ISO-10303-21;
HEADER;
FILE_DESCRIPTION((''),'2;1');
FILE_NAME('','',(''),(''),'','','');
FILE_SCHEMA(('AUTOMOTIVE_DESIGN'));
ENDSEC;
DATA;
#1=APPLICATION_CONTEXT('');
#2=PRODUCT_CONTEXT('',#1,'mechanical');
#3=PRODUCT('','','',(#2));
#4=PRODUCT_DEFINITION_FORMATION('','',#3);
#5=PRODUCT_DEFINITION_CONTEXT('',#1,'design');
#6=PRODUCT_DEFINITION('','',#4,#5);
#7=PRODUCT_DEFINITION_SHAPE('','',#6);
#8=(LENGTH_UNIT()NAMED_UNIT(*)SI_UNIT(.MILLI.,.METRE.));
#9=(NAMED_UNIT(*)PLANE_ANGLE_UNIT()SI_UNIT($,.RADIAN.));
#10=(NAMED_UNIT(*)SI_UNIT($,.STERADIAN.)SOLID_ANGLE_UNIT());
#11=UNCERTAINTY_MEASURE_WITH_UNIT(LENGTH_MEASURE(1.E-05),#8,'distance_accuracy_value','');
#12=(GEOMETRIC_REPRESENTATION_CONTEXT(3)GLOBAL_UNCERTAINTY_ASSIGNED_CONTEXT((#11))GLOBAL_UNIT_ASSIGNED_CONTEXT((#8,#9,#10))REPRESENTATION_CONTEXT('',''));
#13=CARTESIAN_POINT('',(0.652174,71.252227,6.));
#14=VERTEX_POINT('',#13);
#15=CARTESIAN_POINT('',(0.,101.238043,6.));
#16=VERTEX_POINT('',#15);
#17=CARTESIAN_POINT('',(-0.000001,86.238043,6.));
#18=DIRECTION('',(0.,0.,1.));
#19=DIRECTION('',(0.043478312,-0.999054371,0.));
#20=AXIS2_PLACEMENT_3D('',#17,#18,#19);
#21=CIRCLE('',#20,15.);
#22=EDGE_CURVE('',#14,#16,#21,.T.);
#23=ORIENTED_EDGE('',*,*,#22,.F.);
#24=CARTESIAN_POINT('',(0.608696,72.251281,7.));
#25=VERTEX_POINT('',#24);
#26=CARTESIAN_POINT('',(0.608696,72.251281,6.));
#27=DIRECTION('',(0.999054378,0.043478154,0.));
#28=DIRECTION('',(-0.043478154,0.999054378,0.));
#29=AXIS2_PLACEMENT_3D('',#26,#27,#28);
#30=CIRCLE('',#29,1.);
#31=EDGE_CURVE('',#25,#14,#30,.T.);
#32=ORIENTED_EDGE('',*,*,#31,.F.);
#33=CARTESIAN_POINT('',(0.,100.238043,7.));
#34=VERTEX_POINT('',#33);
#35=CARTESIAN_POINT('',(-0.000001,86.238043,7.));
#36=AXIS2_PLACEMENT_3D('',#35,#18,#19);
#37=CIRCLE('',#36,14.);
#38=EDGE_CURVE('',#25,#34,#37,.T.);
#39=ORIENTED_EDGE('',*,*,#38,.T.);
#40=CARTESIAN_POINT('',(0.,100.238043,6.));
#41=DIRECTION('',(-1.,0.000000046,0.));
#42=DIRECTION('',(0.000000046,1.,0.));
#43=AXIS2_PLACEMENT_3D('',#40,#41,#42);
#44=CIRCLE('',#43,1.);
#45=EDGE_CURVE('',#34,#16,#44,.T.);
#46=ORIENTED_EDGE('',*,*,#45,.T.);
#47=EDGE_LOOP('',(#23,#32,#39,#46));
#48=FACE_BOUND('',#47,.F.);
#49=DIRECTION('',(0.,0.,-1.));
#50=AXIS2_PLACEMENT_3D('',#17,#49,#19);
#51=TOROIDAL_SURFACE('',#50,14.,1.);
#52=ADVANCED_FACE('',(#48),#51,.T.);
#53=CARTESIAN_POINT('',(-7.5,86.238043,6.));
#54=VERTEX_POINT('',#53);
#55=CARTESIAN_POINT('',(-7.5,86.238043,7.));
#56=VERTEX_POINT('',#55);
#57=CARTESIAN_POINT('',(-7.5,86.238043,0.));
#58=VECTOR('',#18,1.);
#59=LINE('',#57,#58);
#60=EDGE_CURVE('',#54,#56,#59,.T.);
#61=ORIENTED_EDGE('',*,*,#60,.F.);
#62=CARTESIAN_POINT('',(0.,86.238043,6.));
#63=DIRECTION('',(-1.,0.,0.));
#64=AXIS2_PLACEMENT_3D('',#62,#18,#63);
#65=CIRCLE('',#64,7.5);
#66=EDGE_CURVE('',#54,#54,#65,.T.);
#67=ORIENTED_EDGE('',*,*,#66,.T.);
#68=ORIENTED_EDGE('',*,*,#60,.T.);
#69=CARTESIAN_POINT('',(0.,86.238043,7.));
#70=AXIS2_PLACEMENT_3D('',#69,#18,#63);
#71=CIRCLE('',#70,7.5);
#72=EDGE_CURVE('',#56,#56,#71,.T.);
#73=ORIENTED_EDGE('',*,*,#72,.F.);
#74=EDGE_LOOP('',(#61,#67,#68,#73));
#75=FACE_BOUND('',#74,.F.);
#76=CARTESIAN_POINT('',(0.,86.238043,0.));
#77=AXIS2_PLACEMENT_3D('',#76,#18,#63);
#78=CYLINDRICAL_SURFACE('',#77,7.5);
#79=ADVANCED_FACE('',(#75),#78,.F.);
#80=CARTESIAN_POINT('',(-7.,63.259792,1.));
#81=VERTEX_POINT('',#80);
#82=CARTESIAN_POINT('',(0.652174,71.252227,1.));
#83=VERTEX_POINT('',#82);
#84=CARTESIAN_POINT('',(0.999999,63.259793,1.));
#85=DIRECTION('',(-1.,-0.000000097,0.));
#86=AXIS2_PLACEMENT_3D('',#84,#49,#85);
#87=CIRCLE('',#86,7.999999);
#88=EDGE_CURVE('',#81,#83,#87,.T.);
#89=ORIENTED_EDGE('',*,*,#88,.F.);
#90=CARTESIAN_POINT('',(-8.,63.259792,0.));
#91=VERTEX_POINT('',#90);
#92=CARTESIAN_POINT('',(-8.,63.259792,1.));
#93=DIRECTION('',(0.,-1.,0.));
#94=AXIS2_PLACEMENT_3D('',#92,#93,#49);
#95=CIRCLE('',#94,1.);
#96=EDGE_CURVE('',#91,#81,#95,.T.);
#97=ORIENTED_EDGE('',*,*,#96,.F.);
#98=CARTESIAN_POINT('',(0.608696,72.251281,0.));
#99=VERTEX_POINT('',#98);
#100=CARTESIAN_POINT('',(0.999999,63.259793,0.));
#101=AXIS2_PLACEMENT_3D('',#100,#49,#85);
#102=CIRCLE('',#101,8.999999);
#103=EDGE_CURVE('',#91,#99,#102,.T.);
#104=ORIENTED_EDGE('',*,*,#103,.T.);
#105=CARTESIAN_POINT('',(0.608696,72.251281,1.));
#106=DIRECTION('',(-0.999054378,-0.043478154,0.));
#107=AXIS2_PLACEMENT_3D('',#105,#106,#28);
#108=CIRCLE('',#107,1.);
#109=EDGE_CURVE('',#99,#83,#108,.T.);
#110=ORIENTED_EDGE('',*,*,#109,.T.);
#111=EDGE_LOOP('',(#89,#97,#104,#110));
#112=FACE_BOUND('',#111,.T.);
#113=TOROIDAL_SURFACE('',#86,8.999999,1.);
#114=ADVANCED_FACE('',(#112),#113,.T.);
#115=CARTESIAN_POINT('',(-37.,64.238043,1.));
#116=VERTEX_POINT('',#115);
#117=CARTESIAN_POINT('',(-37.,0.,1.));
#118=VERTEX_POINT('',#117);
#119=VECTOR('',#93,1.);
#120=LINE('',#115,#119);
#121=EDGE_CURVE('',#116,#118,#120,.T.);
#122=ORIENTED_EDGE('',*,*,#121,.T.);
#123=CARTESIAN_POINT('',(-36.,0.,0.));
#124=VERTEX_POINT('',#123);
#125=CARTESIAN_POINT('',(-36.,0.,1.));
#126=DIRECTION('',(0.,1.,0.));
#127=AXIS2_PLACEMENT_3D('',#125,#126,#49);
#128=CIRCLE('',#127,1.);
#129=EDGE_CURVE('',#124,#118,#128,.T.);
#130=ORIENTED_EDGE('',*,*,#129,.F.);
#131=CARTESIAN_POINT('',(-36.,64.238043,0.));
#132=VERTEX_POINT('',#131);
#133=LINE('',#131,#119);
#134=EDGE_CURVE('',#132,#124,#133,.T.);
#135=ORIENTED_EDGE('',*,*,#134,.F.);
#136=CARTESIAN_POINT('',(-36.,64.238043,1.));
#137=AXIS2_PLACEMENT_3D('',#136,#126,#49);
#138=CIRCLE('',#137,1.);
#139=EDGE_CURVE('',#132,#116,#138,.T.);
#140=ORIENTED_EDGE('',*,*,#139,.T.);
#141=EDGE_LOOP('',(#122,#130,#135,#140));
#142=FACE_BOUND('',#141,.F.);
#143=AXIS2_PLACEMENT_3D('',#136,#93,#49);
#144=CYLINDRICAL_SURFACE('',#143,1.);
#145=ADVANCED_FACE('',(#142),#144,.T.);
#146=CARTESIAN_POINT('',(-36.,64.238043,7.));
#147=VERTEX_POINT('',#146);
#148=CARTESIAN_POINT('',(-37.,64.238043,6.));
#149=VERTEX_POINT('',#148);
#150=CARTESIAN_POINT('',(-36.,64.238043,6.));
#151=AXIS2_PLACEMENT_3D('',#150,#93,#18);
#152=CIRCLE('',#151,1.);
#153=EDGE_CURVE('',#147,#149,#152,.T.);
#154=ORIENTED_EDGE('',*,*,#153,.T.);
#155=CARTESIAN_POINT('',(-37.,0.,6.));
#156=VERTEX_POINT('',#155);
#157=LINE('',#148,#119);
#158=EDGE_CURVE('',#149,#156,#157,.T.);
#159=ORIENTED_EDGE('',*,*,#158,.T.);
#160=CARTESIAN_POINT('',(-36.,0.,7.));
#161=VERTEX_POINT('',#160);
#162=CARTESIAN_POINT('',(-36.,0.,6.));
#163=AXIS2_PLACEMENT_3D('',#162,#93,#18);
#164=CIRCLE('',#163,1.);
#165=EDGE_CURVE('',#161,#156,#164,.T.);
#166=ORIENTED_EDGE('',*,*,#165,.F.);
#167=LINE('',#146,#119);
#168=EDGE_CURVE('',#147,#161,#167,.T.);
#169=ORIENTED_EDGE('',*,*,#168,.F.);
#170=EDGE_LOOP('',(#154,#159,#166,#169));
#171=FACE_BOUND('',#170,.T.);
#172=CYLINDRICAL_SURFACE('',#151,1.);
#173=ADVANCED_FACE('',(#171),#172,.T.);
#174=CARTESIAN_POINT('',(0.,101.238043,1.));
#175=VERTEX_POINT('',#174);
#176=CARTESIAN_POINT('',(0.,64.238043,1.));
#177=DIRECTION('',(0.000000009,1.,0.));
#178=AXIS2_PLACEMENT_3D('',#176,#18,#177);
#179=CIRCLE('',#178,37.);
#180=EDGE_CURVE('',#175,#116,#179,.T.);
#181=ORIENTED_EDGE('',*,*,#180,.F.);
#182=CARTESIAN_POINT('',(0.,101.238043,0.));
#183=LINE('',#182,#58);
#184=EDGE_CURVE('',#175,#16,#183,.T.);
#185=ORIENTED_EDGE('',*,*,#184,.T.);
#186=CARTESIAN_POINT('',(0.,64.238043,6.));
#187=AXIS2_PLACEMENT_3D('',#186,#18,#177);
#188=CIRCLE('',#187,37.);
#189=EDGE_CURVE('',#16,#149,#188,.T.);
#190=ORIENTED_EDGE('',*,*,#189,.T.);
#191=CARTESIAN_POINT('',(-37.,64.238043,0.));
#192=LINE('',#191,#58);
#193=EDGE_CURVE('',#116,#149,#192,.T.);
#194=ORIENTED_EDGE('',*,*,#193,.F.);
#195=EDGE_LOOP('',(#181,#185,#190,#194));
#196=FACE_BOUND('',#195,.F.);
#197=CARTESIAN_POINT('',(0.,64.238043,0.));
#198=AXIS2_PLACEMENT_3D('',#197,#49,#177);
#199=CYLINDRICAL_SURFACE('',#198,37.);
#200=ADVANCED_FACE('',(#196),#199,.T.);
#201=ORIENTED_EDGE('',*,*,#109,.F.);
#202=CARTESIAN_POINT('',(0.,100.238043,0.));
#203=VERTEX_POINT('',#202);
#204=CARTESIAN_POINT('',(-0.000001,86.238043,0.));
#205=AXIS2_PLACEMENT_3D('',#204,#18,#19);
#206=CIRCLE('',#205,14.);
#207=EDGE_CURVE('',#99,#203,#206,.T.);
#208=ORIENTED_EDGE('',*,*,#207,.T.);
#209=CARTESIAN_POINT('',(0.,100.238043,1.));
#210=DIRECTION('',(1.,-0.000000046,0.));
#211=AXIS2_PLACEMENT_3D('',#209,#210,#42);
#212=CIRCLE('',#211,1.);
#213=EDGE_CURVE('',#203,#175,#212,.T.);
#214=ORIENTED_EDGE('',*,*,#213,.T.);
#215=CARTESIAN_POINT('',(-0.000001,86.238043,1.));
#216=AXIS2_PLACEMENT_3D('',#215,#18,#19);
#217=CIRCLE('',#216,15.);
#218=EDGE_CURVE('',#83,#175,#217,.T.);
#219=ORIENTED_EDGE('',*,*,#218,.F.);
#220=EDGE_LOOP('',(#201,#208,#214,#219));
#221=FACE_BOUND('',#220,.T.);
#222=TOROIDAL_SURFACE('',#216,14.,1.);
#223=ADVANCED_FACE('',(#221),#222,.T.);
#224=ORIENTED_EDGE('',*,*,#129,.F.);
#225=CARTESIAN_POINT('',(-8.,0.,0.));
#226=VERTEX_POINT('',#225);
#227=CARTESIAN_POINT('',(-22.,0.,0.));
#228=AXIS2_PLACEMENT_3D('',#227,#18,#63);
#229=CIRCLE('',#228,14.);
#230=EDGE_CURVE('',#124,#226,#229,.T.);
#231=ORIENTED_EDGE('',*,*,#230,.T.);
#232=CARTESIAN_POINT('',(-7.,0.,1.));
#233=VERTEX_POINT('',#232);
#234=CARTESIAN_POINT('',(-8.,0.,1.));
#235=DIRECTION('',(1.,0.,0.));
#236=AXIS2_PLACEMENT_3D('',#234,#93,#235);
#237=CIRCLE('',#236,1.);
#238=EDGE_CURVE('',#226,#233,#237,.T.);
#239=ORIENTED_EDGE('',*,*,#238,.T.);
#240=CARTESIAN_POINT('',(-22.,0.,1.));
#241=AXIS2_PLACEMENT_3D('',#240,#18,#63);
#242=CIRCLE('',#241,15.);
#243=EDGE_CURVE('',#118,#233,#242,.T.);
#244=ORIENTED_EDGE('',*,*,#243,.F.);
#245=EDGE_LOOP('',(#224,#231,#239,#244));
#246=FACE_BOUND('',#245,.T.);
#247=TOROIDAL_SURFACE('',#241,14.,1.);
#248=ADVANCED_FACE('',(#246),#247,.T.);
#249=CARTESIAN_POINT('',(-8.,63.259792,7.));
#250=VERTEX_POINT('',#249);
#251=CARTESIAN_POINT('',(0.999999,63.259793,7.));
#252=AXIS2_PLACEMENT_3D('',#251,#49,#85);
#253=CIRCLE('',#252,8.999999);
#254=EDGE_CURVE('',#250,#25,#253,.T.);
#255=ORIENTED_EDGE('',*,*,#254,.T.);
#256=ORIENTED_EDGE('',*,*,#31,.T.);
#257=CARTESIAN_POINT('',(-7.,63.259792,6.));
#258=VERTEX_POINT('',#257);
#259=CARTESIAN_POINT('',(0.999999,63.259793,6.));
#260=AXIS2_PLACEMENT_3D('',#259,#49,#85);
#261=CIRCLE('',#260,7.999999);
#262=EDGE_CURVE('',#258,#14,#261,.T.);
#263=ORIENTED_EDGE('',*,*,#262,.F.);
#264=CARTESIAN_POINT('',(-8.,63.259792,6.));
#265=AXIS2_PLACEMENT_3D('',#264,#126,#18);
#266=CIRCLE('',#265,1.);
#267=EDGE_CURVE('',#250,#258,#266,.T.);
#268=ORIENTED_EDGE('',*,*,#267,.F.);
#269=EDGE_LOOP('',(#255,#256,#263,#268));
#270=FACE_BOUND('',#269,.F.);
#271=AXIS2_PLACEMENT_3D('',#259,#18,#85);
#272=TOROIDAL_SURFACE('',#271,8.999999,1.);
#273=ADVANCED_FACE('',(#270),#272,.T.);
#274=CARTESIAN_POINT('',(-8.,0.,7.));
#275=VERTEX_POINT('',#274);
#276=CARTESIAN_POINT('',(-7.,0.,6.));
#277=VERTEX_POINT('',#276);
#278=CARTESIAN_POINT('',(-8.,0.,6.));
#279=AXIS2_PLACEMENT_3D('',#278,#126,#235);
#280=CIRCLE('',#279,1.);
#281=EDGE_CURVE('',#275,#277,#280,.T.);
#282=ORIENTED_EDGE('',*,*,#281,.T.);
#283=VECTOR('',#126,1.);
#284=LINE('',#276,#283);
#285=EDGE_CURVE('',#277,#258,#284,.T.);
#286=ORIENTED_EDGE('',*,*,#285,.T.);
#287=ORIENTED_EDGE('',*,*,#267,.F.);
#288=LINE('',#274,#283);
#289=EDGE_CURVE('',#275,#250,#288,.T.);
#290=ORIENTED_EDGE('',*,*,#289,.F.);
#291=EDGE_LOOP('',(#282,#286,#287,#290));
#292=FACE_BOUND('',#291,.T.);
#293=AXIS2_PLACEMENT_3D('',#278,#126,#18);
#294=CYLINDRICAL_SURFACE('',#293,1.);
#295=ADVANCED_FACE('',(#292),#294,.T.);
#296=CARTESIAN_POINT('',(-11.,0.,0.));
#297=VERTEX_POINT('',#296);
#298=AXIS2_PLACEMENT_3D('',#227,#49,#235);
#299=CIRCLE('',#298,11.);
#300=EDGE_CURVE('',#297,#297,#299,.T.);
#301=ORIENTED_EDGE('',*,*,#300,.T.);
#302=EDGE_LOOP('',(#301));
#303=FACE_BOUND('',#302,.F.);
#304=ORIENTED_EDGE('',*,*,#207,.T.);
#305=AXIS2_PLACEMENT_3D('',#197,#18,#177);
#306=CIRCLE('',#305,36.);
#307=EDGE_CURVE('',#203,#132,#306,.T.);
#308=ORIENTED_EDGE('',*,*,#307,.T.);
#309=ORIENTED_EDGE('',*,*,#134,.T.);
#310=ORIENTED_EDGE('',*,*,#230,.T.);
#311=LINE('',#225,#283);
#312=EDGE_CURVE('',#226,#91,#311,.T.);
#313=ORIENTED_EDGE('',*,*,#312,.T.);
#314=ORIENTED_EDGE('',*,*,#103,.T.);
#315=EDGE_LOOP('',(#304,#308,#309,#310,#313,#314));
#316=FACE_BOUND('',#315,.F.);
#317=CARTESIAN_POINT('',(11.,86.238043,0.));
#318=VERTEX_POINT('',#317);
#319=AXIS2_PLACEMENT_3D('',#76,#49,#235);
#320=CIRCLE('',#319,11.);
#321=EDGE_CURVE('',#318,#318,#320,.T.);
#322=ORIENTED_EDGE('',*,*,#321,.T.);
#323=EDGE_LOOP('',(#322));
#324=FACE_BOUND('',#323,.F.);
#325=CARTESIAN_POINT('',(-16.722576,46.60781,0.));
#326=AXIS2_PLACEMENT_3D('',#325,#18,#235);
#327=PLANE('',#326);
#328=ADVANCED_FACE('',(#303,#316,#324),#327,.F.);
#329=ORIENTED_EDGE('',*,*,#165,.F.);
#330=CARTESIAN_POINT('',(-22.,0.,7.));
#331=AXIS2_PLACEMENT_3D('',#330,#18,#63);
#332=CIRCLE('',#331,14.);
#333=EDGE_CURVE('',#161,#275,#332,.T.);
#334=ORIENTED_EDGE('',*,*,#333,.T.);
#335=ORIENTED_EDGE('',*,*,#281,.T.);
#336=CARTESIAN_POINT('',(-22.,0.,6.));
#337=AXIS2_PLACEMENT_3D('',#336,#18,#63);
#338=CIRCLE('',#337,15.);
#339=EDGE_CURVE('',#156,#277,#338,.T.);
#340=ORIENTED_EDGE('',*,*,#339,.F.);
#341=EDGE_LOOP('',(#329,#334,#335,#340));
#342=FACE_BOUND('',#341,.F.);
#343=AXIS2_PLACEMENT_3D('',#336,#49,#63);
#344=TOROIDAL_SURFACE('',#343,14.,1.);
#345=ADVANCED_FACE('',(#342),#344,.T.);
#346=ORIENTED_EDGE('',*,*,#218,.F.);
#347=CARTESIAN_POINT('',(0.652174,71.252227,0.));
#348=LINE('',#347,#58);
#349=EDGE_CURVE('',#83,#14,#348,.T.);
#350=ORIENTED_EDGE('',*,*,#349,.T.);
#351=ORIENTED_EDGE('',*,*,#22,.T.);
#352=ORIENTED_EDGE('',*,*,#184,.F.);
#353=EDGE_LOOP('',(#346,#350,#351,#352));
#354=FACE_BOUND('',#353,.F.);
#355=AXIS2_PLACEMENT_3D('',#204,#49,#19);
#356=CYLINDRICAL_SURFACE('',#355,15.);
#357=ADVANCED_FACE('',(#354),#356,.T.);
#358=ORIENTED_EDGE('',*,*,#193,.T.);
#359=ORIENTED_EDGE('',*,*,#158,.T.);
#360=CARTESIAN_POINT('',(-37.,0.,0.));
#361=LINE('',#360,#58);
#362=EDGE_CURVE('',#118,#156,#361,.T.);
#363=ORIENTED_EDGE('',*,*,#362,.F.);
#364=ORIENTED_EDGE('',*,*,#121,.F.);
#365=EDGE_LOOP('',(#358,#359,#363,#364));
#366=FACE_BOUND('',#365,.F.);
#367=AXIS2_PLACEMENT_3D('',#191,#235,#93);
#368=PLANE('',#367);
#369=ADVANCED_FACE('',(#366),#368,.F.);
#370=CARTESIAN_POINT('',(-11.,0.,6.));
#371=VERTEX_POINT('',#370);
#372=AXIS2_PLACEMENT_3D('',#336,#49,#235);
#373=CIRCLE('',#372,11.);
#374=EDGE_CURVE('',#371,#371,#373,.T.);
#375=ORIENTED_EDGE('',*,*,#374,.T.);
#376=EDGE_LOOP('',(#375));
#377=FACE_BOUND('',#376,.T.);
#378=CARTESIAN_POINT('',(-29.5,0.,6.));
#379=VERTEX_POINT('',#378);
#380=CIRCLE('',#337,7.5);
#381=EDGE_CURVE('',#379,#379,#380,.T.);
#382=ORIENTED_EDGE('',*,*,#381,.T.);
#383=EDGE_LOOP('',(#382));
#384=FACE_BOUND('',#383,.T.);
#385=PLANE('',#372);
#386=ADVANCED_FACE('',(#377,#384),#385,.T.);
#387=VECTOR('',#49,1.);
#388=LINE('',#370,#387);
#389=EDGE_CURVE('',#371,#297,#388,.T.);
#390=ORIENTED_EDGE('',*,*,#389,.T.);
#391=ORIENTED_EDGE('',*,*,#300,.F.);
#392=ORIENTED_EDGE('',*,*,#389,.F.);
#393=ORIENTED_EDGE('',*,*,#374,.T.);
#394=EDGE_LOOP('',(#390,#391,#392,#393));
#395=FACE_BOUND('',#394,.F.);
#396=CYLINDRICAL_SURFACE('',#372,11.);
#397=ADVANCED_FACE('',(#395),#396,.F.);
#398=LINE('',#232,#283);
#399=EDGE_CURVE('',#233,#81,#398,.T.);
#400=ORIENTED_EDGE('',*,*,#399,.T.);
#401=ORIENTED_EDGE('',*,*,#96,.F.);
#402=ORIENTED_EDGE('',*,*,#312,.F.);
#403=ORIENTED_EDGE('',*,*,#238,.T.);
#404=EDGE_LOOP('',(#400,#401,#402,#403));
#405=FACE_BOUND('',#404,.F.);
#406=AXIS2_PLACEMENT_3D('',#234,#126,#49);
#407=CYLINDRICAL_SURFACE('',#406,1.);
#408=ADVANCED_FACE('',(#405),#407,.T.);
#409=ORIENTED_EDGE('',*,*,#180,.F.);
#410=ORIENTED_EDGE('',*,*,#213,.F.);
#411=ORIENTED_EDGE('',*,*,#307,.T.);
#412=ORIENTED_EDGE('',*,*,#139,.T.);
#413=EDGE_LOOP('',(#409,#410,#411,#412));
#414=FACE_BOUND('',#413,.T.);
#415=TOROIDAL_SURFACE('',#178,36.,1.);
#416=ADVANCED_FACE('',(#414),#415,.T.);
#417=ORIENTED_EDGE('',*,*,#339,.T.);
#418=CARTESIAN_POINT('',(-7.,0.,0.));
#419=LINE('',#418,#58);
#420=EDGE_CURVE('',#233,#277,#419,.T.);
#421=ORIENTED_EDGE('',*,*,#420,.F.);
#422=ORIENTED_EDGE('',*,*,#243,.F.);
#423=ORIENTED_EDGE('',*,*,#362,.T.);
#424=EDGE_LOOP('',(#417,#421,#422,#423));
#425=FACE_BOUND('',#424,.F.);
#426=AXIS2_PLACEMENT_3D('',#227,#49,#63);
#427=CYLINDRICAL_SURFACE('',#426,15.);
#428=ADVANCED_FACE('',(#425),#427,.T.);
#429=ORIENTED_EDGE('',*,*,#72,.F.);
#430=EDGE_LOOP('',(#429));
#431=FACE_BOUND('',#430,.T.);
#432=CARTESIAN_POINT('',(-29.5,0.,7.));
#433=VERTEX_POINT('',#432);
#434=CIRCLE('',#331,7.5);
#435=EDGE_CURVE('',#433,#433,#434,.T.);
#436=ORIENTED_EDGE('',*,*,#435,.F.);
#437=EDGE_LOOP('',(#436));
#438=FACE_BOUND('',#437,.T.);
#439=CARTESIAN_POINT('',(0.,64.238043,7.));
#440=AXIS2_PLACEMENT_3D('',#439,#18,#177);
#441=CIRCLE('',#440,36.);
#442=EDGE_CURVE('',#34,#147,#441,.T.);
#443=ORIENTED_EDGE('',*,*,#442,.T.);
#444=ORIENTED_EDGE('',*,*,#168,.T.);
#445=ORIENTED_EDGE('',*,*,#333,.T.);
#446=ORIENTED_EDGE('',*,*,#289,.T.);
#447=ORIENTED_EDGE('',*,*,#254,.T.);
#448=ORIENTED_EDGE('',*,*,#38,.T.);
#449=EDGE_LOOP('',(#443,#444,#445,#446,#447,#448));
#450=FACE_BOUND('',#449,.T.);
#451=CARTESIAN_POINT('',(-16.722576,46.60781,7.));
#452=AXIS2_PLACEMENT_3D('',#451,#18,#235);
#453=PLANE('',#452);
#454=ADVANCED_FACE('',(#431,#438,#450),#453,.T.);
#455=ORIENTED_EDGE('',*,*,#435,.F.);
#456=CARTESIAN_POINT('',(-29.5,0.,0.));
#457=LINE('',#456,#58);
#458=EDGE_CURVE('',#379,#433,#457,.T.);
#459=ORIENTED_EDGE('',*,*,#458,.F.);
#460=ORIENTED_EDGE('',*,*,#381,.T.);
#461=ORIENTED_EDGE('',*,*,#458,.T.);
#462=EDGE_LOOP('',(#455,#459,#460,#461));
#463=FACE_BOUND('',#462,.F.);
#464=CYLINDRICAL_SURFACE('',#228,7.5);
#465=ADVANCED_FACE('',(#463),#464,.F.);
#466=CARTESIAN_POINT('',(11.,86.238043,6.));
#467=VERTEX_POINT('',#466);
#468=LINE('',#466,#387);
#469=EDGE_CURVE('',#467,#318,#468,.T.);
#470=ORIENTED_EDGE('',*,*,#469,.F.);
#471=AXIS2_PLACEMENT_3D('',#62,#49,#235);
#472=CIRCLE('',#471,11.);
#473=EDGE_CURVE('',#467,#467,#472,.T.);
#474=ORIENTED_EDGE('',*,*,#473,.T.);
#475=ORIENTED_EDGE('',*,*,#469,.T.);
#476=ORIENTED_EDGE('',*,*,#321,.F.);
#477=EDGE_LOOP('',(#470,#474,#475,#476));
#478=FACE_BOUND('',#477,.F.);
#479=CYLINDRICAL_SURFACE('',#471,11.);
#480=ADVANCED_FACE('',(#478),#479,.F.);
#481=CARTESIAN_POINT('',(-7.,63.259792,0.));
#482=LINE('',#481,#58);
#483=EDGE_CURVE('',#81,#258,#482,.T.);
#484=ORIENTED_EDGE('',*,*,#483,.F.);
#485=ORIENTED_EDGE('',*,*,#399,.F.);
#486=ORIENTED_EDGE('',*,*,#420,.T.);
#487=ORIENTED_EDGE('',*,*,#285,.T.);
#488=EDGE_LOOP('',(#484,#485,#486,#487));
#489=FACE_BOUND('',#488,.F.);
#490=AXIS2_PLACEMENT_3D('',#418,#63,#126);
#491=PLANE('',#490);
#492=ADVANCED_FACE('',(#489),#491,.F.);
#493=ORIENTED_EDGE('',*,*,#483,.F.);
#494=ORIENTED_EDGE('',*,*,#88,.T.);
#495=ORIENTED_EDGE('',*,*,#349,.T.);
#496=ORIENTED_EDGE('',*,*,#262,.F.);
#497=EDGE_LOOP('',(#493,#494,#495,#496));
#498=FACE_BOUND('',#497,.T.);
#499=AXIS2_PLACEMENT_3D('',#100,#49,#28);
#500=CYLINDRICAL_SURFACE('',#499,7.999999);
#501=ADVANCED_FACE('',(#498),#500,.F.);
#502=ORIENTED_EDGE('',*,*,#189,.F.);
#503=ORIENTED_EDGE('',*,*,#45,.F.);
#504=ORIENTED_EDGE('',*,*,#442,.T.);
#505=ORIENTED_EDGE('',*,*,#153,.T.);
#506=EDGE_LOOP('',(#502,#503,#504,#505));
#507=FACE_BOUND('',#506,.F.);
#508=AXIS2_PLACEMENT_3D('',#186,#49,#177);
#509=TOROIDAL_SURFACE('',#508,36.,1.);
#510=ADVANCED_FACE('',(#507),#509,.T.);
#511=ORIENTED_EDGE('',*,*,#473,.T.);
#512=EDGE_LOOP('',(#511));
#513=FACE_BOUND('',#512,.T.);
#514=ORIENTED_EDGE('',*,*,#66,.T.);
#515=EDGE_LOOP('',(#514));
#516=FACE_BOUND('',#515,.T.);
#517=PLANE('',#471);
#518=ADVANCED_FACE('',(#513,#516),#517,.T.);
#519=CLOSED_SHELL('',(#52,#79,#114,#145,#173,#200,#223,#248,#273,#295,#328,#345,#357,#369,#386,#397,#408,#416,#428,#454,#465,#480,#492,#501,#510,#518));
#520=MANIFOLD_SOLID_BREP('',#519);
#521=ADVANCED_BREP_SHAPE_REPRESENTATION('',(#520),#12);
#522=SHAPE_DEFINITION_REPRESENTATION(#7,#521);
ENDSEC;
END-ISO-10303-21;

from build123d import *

# Parameters (mm, degrees)
PAD_DEPTH        = 7
HOLE_D           = 15
HOLE_CBORE_D     = 22
HOLE_CBORE_DEPTH = 6
FILLET_R         = 1


with BuildPart() as part:
    # Sketch002 → Pad (new body)
    with BuildSketch(Plane.XY):
        with BuildLine():
            ThreePointArc((0.652174, 71.252227), (14.996453, 86.564207), (0, 101.238043))
            ThreePointArc((0, 101.238043), (-26.162951, 90.400994), (-37, 64.238043))
            Line((-37, 64.238043), (-37, 0))
            ThreePointArc((-37, 0), (-22, -15), (-7, 0))
            Line((-7, 0), (-7, 63.259792))
            ThreePointArc((0.652174, 71.252227), (-4.778521, 68.792305), (-7, 63.259792))
        make_face()
    extrude(amount=PAD_DEPTH)

    # Hole (through all)
    with Locations(Plane(origin=(0, 0, 0), x_dir=(1, 0, 0), z_dir=(0, 0, -1))):
        with Locations((0, -86.238043), (-22, 0)):
            CounterBoreHole(HOLE_D / 2, HOLE_CBORE_D / 2, HOLE_CBORE_DEPTH)

    # Fillet
    fillet_edges = [part.edges().sort_by_distance(p)[0] for p in [
        (-37, 32.119021, 0),
        (-37, 32.119021, 7),
    ]]
    fillet(fillet_edges, radius=FILLET_R)


solid = part.part
